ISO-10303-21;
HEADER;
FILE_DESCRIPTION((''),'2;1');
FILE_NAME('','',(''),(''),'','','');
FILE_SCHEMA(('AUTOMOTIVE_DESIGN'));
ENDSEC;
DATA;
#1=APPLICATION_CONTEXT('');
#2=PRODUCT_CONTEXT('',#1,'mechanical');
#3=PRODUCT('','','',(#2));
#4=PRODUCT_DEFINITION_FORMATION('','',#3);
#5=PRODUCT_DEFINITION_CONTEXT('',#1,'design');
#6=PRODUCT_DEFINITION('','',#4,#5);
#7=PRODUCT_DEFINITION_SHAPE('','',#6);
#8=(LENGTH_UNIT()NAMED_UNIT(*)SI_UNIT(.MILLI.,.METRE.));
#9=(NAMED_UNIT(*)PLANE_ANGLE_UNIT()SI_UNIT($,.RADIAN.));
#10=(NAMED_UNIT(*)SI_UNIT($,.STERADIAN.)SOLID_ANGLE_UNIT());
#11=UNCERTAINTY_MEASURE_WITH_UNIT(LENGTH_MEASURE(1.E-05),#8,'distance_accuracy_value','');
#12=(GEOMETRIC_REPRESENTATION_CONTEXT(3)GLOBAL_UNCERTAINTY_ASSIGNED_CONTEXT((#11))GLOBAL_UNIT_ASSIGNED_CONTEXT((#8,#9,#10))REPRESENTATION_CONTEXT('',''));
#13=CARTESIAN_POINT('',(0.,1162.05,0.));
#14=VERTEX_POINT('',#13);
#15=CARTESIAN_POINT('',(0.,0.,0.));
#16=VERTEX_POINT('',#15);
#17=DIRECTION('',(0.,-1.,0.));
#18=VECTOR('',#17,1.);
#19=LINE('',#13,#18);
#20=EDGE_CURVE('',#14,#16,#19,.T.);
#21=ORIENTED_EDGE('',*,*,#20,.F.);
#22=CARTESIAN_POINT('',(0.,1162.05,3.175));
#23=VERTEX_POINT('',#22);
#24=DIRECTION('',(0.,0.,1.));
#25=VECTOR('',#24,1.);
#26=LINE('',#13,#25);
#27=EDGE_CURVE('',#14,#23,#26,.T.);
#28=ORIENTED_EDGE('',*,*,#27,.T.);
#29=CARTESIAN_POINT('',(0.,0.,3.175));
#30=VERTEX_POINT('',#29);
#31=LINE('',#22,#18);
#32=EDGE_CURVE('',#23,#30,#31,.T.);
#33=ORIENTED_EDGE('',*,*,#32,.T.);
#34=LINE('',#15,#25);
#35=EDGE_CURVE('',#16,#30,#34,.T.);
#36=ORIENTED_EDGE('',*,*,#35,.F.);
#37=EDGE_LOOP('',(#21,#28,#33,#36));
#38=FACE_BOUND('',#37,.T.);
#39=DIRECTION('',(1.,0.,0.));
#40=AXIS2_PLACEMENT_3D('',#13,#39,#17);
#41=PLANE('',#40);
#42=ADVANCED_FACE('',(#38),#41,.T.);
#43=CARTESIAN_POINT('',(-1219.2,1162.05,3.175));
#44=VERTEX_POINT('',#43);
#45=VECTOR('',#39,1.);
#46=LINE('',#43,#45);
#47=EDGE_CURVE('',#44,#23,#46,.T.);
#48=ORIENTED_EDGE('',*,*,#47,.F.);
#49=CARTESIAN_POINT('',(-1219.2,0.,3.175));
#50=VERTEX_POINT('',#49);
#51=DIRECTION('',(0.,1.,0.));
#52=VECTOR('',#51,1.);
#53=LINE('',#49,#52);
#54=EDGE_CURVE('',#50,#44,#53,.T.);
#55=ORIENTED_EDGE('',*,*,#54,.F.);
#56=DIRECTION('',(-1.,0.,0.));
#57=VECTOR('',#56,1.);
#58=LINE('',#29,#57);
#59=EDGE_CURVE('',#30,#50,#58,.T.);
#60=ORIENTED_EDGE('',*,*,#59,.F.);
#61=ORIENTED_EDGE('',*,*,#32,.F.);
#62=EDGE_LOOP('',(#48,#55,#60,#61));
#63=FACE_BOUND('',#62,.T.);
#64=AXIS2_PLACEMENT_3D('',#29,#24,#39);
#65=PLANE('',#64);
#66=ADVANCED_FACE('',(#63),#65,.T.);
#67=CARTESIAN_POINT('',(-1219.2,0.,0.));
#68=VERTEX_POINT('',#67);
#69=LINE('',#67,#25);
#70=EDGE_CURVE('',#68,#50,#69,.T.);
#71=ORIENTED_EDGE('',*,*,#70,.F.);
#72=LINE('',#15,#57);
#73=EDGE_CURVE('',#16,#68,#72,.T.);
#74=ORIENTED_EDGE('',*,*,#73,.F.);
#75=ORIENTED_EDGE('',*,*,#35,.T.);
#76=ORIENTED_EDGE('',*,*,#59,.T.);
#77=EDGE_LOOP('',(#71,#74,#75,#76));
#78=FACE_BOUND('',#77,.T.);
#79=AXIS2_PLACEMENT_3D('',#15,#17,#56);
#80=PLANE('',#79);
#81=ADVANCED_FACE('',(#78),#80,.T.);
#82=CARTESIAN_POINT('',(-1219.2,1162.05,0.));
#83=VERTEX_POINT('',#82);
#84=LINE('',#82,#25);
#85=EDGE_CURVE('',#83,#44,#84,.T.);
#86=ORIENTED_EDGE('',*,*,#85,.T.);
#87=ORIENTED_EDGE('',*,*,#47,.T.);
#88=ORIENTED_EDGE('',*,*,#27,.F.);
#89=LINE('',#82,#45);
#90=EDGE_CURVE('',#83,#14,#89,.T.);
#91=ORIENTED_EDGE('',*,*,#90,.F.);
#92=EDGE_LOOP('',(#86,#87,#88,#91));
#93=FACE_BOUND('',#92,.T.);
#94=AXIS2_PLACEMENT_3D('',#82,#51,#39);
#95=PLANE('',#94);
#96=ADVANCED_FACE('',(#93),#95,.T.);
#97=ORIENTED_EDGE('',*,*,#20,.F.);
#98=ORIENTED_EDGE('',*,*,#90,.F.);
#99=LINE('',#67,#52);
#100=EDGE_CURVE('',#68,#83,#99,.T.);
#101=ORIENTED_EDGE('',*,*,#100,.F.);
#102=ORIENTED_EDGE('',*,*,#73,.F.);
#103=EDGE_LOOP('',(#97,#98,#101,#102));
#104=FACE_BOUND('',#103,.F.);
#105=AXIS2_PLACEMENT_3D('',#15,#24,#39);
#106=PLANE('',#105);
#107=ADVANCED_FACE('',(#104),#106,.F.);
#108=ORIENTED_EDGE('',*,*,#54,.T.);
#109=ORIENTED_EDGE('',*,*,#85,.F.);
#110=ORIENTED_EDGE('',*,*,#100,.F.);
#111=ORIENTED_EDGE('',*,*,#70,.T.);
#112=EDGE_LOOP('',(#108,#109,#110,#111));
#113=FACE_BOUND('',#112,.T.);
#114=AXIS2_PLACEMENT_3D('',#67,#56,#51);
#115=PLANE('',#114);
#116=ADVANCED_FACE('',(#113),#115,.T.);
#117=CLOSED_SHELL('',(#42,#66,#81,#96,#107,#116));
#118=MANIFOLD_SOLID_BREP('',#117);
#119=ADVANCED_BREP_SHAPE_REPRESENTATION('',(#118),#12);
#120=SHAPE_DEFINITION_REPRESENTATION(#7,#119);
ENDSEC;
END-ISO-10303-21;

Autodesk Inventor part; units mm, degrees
ref_plane "YZ Plane" through (0, 0, 0) normal (1, 0, 0) x (0, 1, 0)
ref_plane "XZ Plane" through (0, 0, 0) normal (0, 1, 0) x (-1, 0, 0)
ref_plane "XY Plane" through (0, 0, 0) normal (0, 0, 1) x (1, 0, 0)
sketch "Sketch1" plane through (0, 0, 0) normal (0, 0, 1) x (1, 0, 0)
  line L0 (0, 0) -> (-1219.2, 0)
  line L1 (-1219.2, 0) -> (-1219.2, 1162.05)
  line L2 (-1219.2, 1162.05) -> (0, 1162.05)
  line L3 (0, 1162.05) -> (0, 0)
  dimension "d0" = 1219.2
  dimension "d1" = 1162.05
extrude "Extrusion1" add sketch "Sketch1" along normal blind 3.175
properties part number "GE-12093"
